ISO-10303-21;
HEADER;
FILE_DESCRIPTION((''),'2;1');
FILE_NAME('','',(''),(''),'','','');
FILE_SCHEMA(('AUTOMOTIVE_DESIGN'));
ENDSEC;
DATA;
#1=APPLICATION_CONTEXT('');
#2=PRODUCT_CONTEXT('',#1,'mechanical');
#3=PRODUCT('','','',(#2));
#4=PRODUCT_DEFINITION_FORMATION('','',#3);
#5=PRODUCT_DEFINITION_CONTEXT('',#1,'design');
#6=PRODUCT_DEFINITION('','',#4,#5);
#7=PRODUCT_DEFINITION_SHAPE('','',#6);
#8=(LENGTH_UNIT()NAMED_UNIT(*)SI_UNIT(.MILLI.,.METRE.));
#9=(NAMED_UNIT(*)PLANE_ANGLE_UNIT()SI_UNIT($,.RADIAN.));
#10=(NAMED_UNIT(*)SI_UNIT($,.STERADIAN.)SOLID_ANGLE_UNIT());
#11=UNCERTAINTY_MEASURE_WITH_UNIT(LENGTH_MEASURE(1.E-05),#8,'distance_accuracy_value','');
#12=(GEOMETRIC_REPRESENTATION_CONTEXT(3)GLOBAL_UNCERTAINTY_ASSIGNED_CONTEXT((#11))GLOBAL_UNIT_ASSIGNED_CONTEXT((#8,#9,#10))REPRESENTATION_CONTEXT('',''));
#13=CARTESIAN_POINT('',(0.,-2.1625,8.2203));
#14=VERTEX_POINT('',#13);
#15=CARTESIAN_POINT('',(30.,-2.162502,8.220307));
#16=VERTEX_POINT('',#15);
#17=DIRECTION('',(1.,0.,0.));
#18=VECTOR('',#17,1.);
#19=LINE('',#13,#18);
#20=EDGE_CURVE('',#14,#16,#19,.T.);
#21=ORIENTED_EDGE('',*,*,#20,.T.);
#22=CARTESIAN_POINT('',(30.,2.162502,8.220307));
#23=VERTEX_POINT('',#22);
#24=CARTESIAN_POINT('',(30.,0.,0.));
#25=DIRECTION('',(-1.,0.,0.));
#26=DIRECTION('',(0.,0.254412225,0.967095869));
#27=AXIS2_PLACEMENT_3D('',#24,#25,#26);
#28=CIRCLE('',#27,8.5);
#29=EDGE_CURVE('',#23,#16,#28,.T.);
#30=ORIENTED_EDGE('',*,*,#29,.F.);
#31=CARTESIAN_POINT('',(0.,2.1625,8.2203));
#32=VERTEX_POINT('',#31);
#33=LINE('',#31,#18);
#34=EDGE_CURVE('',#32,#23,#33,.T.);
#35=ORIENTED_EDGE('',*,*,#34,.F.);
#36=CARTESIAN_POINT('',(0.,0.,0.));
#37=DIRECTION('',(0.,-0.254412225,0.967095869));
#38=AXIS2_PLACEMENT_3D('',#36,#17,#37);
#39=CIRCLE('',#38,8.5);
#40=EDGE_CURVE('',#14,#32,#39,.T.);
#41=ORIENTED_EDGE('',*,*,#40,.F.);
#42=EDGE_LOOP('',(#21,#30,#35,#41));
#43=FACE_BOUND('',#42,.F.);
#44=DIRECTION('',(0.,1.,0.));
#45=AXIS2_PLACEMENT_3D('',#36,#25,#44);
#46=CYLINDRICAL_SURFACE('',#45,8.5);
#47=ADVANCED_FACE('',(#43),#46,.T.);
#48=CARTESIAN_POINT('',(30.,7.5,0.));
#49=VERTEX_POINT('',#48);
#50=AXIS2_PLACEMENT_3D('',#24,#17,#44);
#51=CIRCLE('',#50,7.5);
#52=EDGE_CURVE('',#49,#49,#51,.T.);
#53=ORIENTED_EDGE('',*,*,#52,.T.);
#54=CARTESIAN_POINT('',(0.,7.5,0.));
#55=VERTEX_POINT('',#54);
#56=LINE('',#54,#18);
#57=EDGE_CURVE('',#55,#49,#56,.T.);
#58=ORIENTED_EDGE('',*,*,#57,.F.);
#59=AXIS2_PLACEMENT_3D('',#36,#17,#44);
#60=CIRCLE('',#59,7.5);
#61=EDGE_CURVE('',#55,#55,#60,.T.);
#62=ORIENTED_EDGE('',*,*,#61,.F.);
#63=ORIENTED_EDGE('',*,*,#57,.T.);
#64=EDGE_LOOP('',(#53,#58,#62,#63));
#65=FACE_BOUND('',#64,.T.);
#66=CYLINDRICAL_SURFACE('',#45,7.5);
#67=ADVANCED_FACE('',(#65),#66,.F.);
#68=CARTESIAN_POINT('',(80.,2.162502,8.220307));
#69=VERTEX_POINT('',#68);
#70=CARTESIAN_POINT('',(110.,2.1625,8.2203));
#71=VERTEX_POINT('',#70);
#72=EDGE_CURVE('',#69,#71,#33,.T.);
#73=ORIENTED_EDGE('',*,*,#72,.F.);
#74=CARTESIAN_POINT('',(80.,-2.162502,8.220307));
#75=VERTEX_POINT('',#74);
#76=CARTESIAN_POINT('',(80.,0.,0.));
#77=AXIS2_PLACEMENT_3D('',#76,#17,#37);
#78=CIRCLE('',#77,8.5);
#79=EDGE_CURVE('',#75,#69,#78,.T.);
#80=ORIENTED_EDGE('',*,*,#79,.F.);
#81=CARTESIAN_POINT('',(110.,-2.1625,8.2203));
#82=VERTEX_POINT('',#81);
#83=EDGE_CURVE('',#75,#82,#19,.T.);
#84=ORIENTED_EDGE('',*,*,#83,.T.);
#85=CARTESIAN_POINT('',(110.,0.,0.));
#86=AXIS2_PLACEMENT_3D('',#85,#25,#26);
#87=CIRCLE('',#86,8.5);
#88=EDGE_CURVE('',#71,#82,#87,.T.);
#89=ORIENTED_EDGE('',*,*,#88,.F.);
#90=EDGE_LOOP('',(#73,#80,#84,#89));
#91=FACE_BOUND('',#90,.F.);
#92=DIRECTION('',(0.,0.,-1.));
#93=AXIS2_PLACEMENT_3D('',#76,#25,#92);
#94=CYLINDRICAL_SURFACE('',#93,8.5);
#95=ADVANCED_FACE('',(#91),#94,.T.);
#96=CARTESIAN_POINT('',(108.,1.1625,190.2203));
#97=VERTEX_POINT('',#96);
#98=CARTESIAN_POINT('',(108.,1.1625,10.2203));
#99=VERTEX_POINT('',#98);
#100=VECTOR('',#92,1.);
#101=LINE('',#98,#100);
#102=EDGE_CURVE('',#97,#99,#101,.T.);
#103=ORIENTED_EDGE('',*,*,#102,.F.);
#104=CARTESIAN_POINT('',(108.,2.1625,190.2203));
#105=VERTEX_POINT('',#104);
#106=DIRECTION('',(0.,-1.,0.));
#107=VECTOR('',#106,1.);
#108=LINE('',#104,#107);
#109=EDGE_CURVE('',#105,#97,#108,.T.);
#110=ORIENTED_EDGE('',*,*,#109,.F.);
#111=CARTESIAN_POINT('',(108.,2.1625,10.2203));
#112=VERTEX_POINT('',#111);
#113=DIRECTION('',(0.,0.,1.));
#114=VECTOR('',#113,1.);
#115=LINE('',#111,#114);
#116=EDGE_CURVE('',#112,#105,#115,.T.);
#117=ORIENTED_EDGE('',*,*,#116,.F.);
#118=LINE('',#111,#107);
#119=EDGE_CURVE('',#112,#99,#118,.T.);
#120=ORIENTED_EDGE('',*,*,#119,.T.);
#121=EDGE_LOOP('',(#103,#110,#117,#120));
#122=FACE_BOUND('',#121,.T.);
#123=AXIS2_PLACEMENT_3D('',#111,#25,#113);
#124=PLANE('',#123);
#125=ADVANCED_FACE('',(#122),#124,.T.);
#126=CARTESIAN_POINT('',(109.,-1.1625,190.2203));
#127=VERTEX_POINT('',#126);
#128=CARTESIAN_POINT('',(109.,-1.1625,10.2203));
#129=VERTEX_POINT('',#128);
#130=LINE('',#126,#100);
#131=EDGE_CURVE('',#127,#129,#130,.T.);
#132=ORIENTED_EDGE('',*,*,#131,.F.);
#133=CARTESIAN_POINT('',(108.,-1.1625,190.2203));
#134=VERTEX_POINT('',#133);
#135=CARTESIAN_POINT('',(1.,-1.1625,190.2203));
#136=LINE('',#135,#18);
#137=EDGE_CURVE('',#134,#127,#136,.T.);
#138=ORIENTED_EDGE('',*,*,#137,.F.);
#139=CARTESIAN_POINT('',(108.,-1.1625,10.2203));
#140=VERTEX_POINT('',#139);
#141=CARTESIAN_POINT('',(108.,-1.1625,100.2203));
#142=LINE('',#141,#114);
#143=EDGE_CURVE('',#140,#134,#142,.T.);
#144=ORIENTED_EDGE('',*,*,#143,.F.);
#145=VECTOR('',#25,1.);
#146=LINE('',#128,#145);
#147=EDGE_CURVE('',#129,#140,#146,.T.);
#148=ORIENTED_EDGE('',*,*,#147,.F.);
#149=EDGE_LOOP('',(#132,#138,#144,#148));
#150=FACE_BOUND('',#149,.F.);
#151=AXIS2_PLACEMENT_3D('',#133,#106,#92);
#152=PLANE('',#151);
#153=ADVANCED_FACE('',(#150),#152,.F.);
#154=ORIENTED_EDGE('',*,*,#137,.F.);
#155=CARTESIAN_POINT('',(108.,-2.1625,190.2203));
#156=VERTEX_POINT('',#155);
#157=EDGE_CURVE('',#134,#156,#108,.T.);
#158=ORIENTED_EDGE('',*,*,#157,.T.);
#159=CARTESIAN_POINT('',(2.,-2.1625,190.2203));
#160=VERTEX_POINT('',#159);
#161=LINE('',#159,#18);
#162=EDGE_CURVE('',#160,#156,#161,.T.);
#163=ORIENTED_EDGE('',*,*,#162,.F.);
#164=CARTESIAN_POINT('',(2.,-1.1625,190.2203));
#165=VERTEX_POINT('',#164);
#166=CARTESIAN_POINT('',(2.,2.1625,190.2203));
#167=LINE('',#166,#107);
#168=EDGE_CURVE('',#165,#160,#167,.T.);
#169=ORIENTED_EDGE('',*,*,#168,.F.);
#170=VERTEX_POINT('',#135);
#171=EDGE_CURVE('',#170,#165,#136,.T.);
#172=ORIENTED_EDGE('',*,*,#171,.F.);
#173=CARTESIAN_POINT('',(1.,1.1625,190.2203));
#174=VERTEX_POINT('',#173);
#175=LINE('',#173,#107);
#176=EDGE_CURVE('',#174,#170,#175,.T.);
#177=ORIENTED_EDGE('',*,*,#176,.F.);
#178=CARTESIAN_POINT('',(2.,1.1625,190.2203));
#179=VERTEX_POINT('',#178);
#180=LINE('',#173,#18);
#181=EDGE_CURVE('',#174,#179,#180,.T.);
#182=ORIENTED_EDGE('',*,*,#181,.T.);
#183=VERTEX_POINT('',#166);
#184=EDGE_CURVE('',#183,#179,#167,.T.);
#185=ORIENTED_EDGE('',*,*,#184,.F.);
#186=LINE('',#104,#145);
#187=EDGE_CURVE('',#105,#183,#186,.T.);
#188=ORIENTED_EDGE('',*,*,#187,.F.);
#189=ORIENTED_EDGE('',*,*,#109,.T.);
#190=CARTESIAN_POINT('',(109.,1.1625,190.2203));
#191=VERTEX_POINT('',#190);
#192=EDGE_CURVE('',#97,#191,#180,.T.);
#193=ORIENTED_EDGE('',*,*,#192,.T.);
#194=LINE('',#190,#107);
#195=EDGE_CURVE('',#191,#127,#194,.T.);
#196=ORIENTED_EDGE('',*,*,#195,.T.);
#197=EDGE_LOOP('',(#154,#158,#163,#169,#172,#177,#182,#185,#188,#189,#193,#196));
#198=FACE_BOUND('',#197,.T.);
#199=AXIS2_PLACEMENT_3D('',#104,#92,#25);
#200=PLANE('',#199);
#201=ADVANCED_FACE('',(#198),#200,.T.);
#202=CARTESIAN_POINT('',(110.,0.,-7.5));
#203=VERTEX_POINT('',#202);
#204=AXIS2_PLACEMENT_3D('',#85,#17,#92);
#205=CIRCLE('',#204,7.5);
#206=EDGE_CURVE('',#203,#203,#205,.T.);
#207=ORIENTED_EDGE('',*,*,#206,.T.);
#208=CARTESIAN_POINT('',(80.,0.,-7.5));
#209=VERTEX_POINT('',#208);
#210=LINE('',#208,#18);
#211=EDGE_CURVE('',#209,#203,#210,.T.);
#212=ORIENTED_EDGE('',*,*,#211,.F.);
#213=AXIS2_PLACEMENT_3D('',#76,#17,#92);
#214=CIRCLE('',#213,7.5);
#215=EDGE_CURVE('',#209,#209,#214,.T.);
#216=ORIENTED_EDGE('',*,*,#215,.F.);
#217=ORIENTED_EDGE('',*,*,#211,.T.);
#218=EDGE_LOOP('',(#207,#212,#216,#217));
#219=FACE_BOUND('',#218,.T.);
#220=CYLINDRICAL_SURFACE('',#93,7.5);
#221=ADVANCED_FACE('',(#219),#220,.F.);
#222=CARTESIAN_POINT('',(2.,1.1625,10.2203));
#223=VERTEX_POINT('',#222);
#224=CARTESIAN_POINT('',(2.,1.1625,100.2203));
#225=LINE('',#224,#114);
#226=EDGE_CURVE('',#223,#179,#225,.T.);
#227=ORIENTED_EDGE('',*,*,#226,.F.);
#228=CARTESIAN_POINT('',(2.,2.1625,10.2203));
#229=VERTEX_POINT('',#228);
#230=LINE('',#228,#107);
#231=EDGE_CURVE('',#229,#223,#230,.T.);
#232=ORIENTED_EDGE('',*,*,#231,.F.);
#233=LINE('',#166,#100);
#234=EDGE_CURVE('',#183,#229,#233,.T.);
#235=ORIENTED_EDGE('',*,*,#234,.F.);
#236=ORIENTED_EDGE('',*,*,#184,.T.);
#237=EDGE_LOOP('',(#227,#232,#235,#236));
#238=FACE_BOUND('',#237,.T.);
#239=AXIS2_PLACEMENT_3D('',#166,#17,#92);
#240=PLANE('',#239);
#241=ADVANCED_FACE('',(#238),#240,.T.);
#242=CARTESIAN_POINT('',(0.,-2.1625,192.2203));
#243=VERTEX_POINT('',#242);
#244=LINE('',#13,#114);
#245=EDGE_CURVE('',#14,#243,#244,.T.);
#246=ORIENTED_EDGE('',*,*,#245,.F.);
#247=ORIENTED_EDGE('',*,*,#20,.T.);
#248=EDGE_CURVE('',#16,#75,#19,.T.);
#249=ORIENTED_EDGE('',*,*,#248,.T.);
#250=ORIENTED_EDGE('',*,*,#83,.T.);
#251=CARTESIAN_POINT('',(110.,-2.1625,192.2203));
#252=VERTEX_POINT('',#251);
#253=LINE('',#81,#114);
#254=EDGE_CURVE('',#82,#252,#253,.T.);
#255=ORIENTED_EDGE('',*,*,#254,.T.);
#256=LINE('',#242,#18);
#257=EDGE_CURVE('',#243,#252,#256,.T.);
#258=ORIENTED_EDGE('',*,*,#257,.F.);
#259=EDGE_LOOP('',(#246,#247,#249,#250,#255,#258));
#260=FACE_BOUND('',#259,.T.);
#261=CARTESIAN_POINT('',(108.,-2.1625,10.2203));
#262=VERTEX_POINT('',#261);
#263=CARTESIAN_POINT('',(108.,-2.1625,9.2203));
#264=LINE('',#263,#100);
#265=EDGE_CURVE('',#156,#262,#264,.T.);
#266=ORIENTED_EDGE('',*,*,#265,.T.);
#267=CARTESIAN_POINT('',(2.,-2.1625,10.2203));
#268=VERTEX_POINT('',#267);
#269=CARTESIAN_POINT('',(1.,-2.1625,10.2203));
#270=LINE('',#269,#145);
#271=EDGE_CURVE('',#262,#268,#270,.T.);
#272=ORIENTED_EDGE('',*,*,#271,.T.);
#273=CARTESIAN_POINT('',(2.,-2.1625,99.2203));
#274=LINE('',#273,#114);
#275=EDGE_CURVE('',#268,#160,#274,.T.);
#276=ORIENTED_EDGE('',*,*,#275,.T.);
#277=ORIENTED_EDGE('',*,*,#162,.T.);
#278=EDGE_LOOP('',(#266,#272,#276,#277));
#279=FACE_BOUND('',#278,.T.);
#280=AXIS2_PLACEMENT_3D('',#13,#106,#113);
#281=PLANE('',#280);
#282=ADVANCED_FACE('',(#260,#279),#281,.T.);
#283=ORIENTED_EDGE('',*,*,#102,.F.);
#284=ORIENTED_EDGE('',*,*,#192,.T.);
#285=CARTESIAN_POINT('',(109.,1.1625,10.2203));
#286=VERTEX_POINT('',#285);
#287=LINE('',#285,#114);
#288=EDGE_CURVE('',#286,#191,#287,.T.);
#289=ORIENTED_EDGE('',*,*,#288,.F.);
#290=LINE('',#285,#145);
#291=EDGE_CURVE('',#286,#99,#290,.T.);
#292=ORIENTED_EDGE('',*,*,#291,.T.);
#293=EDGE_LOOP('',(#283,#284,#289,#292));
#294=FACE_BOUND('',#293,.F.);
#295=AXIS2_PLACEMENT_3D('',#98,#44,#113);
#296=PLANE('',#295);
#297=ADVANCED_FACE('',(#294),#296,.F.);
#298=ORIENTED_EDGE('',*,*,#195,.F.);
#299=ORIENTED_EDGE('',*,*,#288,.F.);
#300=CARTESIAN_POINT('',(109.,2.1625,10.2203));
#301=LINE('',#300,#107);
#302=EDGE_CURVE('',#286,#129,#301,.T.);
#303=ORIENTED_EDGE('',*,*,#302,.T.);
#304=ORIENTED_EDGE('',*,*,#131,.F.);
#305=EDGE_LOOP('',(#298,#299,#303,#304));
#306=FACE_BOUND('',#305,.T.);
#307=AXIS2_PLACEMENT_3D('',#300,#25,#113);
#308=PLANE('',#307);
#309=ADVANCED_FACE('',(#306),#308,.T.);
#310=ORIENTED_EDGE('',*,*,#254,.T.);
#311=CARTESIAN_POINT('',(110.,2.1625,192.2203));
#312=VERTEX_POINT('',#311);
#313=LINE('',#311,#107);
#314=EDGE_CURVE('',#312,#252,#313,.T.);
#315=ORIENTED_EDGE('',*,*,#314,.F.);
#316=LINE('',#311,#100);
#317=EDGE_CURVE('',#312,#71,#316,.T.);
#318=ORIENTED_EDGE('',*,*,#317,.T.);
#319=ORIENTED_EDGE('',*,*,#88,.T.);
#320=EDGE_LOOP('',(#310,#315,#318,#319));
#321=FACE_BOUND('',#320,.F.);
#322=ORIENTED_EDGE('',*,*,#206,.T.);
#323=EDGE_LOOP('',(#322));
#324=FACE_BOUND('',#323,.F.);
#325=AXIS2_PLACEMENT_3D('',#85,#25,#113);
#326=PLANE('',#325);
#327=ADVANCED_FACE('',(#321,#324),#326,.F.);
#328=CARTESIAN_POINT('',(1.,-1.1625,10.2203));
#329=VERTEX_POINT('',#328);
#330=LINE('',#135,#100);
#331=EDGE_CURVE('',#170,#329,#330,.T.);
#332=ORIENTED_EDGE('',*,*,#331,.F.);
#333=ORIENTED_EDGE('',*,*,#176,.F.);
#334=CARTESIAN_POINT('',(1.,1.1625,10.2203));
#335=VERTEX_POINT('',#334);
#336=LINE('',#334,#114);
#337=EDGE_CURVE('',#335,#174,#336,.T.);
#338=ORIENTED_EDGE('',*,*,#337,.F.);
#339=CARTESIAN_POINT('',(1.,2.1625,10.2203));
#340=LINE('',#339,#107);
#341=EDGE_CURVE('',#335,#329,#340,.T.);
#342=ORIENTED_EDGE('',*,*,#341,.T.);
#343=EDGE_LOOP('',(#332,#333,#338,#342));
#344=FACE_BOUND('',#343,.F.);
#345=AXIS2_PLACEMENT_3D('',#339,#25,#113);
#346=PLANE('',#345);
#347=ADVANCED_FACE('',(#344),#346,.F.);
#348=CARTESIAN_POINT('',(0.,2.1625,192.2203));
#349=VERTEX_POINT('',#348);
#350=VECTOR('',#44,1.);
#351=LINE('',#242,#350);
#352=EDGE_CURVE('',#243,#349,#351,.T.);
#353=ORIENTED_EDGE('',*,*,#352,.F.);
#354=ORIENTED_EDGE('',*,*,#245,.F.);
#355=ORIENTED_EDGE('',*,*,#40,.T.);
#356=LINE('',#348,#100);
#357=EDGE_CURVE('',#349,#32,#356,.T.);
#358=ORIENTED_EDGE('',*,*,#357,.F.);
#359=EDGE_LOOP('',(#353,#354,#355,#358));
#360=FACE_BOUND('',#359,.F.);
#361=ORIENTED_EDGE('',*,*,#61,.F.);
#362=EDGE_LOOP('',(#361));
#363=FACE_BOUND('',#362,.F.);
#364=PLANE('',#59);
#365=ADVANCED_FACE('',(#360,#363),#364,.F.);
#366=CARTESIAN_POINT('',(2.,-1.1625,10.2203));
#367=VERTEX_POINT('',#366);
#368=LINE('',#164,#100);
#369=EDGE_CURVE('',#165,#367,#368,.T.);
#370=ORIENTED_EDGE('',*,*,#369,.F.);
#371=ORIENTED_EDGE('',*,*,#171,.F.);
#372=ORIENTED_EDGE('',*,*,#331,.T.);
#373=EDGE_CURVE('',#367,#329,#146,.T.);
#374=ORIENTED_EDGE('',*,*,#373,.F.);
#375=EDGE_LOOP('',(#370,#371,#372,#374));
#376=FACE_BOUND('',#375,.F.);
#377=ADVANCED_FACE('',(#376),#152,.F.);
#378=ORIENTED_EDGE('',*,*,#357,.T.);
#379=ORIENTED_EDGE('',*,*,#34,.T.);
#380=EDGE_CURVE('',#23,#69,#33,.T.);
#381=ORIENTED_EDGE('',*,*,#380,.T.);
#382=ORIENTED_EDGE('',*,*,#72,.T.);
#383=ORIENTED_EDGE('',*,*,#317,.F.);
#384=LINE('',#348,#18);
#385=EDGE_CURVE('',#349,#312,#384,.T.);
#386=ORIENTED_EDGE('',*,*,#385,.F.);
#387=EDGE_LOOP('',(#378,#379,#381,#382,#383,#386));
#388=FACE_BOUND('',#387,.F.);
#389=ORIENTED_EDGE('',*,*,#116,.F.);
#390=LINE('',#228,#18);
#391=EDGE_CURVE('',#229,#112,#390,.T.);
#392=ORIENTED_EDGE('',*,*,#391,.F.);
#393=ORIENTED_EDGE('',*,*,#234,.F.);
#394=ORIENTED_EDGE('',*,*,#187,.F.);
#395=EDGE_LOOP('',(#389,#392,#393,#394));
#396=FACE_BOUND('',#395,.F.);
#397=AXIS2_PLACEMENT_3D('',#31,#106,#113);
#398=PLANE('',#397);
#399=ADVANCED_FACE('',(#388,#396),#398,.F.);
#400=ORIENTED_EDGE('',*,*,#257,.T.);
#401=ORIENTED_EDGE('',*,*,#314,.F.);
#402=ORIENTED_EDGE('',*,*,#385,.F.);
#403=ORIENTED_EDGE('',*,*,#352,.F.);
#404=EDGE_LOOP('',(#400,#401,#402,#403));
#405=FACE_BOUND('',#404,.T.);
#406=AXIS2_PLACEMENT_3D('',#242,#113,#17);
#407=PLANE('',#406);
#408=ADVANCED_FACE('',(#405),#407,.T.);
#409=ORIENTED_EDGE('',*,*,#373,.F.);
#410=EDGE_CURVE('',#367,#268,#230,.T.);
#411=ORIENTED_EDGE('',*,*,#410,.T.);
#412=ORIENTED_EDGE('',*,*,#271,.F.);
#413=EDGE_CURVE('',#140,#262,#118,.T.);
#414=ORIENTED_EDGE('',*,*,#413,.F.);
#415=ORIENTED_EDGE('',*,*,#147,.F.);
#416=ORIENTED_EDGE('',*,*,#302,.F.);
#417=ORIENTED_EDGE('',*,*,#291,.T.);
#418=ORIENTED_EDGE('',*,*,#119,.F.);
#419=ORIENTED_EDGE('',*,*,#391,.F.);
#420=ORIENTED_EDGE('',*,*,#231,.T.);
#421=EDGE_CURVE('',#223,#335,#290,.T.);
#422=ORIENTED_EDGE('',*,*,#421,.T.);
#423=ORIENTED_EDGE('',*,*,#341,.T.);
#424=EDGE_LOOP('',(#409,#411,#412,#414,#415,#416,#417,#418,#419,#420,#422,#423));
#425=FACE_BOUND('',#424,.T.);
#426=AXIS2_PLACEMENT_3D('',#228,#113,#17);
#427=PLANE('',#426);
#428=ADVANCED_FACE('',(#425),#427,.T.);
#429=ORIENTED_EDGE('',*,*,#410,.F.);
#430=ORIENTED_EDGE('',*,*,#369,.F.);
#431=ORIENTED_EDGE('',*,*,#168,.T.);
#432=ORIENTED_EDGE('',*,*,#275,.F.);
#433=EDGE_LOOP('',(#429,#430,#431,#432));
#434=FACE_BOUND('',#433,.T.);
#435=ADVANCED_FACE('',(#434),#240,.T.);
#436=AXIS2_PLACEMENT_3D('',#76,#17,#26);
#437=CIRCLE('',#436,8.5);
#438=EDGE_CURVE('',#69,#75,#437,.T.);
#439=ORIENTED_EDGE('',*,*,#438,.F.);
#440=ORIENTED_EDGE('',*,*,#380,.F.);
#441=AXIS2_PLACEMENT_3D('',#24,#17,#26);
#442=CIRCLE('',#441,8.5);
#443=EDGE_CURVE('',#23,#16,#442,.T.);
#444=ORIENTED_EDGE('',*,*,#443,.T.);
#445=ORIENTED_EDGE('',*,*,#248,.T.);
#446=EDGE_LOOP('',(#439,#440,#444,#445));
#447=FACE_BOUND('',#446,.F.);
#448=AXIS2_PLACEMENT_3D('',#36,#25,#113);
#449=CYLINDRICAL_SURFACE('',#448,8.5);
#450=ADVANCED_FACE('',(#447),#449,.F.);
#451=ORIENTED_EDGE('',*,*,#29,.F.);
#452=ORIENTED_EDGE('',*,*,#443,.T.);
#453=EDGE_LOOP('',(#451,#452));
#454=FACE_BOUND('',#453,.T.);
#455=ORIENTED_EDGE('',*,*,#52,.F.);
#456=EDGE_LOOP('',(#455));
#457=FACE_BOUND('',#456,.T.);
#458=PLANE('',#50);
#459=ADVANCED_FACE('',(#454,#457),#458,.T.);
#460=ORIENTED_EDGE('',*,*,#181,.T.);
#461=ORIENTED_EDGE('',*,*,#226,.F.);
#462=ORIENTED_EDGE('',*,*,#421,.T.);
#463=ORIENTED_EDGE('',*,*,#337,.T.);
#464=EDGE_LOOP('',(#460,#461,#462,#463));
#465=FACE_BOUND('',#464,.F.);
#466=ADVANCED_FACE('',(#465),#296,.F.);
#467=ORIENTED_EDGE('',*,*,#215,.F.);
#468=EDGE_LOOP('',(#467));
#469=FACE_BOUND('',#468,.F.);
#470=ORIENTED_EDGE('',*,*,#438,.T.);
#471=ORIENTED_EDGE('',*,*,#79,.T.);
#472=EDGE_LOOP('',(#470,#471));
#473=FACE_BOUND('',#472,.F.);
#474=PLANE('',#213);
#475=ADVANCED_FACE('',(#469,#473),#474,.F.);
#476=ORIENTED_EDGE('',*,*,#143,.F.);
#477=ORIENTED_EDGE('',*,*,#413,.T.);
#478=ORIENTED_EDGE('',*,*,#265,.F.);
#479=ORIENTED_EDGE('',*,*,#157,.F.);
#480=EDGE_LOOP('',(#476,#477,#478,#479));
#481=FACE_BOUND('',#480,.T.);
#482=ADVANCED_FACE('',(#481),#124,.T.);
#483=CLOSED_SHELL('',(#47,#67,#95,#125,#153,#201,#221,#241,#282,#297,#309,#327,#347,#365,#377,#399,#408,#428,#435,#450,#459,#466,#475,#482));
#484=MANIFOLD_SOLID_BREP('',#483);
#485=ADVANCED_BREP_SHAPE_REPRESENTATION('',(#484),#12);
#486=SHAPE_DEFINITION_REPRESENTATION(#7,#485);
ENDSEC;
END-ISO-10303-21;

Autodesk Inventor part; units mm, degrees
ref_plane "YZ Plane" through (0, 0, 0) normal (1, 0, 0) x (0, 1, 0)
ref_plane "XZ Plane" through (0, 0, 0) normal (0, 1, 0) x (-1, 0, 0)
sketch "Эскиз1" plane through (0, 0, 0) normal (1, 0, 0) x (0, 1, 0)
  circle A0 centre (0, 0) radius 7.5
  circle A1 centre (0, 0) radius 8.5
  dimension "d0" = 15
  dimension "d1" = 17
extrude "Выдавливание1" add sketch "Эскиз1" along normal blind 30
ref_plane "РабПлоскость1" through (80, 0, 0) normal (1, 0, 0) x (0, 0, -1)
sketch "Эскиз2" plane through (80, 0, 0) normal (1, 0, 0) x (0, 0, -1)
  circle A0 centre (0, 0) radius 8.5
  circle A1 centre (0, 0) radius 7.5
  dimension "d5" = 17
  dimension "d6" = 15
extrude "Выдавливание2" add sketch "Эскиз2" along normal blind 30
sketch "Эскиз3" plane through (0, 0, 0) normal (-1, 0, 0) x (0, 0, 1)
  circle A0 centre (0, 0) radius 7.5 projected
  line L0 (-7.5, 0) -> (7.5, 0)
  circle A1 centre (0, 0) radius 8.5 projected
  circle A2 centre (0, 0) radius 7.5 projected
  circle A3 centre (0, 0) radius 8.5 projected
  line L1 (8.2203, -2.1625) -> (12.2203, -2.1625)
  line L2 (8.2203, 2.1625) -> (12.2203, 2.1625)
  line L3 (12.2203, -2.1625) -> (12.2203, 2.1625)
  arc A4 (8.2203, -2.1625) -> (8.2203, 2.1625) centre (0, 0) ccw
  dimension "d9" = 4
extrude "Выдавливание3" add sketch "Эскиз3" against normal blind 110 contours A1 L2 L3 L1
sketch "Эскиз4" plane through (0, -2.1625, 12.2203) normal (0, 0, 1) x (1, 0, 0)
  line L0 (0, 4.325) -> (30, 4.325) projected
  line L1 (0, 0) -> (110, 0) projected
  line L2 (0, 4.325) -> (110, 4.325)
  line L3 (110, 4.325) -> (110, 0)
  line L4 (110, 0) -> (0, 0)
  line L5 (0, 0) -> (0, 4.325)
  line L6 (109, 1) -> (1, 1)
  line L7 (1, 1) -> (1, 3.325)
  line L8 (1, 3.325) -> (109, 3.325)
  line L9 (109, 3.325) -> (109, 1)
  line L10 (109, 1) -> (1, 3.325) construction
  line L11 (1, 1) -> (109, 3.325) construction
  line L12 (0, 4.325) -> (110, 4.325) projected
  line L13 (110, 0) -> (0, 0)
  line L14 (0, 0) -> (0, 4.325)
  line L15 (0, 4.325) -> (110, 4.325)
  line L16 (110, 4.325) -> (110, 0)
  line L17 (110, 0) -> (0, 4.325) construction
  line L18 (0, 0) -> (110, 4.325) construction
  point P0 (0, 2.1625)
  point P1 (55, 2.1625)
  point P2 (55, 2.1625)
  dimension "d12" = 108
  dimension "d13" = 2.325
extrude "Выдавливание4" add sketch "Эскиз4" along normal blind 180 contours L0 L2 L3 L1 L5 | L6 L7 L8 L9
sketch "Эскиз5" plane through (30, 2.1625, 8.2203) normal (0, 1, 0) x (1, 0, 0)
  line L0 (80, -184) -> (-30, -184) projected
  line L1 (25, -184) -> (25, -92)
  line L2 (-28, -2) -> (78, -2)
  line L3 (78, -2) -> (78, -182)
  line L4 (78, -182) -> (-28, -182)
  line L5 (-28, -182) -> (-28, -2)
  line L6 (-28, -2) -> (78, -182) construction
  line L7 (78, -2) -> (-28, -182) construction
  point P0 (-30, 8.2203)
  dimension "d16" = 92
  dimension "d17" = 106
  dimension "d18" = 180
extrude "Выдавливание5" cut sketch "Эскиз5" against normal blind 180
sketch "Эскиз6" plane through (108, 2.1625, 10.2203) normal (-1, 0, 0) x (0, 0, 1)
  line L0 (0, 0) -> (180, 0) projected
  line L1 (0, 0) -> (0, -1)
  line L2 (0, 0) -> (0, -4.325) projected
  line L3 (0, -1) -> (180, -1)
  line L4 (180, -1) -> (180, -3.325)
  line L5 (180, -3.325) -> (0, -3.325)
  line L6 (0, -3.325) -> (0, -1)
  point P0 (-10.2203, -2.1625)
  point P1 (0, -3.325)
  dimension "d21" = 1
  dimension "d22" = 2.325
extrude "Выдавливание6" cut sketch "Эскиз6" along normal blind 107 and the other way blind 1
properties part number "вращалка"
